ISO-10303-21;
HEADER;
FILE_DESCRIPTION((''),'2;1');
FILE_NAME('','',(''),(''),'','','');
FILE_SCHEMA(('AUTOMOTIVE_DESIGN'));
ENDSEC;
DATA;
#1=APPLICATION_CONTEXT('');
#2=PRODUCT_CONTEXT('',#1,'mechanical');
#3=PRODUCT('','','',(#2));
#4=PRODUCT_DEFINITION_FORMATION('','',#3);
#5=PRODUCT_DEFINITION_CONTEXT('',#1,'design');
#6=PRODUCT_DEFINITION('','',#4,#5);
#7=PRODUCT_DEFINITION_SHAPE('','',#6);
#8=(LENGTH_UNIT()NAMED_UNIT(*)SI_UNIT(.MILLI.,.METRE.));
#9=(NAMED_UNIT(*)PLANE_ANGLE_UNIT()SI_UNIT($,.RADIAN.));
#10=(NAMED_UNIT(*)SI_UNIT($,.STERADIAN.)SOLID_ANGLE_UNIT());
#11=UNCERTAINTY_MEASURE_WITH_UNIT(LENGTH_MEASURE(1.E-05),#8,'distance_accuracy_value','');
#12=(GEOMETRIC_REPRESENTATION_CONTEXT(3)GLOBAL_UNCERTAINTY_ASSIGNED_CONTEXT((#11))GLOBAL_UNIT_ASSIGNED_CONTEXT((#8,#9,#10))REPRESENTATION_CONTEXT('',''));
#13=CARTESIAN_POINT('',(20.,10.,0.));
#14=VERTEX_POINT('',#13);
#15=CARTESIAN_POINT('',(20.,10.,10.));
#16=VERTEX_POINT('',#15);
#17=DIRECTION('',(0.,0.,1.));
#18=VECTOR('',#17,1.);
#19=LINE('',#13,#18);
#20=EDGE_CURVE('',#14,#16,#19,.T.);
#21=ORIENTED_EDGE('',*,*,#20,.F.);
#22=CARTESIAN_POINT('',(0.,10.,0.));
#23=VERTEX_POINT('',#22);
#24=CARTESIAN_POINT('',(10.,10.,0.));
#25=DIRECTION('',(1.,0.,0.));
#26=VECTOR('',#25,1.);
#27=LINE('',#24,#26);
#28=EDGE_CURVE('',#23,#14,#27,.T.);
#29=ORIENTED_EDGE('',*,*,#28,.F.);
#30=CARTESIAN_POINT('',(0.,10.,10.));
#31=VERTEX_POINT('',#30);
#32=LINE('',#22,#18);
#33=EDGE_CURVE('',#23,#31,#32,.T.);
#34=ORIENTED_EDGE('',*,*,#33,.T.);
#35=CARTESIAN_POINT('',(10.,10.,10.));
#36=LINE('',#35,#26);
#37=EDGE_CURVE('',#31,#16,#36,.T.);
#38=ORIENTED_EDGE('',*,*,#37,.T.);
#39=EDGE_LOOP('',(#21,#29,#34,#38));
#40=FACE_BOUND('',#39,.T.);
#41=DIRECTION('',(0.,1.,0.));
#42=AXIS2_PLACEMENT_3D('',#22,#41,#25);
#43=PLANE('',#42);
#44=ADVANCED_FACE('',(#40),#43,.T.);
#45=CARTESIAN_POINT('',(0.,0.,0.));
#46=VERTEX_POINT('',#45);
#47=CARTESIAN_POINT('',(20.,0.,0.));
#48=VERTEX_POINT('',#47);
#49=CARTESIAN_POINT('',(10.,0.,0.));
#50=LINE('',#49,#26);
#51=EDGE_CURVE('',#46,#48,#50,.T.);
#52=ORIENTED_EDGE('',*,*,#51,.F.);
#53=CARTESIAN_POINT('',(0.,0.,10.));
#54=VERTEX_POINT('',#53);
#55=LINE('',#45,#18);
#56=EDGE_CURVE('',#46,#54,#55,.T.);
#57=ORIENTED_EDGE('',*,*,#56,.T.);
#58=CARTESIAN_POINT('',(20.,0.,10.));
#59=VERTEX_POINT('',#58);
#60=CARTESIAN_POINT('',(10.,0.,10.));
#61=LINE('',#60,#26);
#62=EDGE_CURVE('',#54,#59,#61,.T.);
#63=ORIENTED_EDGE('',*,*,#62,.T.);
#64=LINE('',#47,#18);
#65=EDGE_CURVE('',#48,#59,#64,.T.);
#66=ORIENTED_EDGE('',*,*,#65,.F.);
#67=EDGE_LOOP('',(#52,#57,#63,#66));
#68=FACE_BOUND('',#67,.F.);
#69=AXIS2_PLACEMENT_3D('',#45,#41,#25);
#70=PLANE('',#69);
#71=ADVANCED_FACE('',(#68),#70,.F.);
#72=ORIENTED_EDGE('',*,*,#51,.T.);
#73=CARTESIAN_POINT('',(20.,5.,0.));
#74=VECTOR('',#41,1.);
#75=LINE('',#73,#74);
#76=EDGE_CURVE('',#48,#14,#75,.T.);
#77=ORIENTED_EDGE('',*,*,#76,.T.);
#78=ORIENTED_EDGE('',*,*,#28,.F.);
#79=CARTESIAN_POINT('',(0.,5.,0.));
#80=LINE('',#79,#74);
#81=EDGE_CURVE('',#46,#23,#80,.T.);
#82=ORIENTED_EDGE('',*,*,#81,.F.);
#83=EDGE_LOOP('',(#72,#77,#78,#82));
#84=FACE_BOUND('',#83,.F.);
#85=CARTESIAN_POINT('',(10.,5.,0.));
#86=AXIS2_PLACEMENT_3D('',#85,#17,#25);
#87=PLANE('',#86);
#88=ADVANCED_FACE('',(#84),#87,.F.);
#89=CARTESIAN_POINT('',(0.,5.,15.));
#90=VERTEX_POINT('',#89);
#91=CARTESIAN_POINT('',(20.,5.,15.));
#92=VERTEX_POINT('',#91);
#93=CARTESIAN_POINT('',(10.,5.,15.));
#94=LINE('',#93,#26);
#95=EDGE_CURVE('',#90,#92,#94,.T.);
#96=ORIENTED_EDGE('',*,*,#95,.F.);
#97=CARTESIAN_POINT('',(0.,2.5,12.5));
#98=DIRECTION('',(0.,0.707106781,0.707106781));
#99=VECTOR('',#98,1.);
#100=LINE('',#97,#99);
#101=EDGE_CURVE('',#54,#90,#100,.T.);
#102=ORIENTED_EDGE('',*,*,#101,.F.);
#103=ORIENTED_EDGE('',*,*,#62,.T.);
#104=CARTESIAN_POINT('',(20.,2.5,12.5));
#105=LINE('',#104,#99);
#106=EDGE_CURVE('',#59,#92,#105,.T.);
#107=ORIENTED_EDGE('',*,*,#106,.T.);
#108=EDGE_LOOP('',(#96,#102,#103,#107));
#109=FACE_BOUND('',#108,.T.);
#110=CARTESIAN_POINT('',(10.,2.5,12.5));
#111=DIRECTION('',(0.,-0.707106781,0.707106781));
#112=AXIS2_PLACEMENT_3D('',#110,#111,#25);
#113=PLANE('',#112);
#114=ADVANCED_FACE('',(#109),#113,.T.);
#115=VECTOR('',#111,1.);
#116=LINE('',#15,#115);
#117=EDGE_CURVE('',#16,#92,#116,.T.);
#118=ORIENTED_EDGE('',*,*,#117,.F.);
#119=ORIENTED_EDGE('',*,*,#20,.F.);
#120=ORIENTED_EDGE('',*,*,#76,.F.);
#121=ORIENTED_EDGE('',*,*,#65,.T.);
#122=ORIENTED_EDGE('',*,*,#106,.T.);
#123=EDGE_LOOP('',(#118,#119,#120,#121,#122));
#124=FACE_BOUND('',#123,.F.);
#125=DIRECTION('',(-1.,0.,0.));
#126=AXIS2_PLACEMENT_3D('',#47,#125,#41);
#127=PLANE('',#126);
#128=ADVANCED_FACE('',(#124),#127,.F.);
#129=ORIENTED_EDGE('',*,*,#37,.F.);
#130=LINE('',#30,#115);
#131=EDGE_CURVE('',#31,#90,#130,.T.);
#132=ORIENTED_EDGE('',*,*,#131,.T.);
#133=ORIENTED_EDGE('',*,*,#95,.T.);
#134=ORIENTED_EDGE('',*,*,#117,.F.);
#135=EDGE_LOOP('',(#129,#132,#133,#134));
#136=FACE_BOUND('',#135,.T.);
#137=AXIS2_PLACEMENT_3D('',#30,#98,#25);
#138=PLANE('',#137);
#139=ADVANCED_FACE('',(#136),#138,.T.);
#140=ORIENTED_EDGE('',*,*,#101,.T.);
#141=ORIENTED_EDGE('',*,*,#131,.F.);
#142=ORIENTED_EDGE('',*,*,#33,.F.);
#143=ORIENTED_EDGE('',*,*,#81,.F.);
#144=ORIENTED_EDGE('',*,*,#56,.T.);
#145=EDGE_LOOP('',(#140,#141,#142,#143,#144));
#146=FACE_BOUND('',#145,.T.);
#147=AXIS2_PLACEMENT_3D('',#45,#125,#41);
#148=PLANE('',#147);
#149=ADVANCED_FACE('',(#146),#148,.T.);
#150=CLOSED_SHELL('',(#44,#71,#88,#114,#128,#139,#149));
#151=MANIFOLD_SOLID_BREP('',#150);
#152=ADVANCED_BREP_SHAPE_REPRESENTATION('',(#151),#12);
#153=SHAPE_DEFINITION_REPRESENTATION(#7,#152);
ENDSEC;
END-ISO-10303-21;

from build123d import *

# Parameters (mm, degrees)
BOX001_W               = 20
BOX001_H               = 7.071068
BOX001_DEPTH           = 7.071068
BOX001_PLACEMENT_ANGLE = 45
BOX_W                  = 20
BOX_H                  = 10
BOX_DEPTH              = 10


with BuildPart() as cube001:
    # Box001 → Box001 (new body)
    with BuildSketch(Plane.XY):
        with Locations((10, 3.535534)):
            Rectangle(BOX001_W, BOX001_H)
    extrude(amount=BOX001_DEPTH)


with BuildPart() as cube001_1:
    # Box001 placement: moved
    add(cube001.part.moved(Location((0, 5, 5))).rotate(Axis((0, 5, 5), (1, 0, 0)), BOX001_PLACEMENT_ANGLE))


with BuildPart() as fusion:
    # Box → Box (new body)
    with BuildSketch(Plane.XY):
        with Locations((10, 5)):
            Rectangle(BOX_W, BOX_H)
    extrude(amount=BOX_DEPTH)

    # Fusion: union Cube001
    add(cube001_1.part)


solid = fusion.part
